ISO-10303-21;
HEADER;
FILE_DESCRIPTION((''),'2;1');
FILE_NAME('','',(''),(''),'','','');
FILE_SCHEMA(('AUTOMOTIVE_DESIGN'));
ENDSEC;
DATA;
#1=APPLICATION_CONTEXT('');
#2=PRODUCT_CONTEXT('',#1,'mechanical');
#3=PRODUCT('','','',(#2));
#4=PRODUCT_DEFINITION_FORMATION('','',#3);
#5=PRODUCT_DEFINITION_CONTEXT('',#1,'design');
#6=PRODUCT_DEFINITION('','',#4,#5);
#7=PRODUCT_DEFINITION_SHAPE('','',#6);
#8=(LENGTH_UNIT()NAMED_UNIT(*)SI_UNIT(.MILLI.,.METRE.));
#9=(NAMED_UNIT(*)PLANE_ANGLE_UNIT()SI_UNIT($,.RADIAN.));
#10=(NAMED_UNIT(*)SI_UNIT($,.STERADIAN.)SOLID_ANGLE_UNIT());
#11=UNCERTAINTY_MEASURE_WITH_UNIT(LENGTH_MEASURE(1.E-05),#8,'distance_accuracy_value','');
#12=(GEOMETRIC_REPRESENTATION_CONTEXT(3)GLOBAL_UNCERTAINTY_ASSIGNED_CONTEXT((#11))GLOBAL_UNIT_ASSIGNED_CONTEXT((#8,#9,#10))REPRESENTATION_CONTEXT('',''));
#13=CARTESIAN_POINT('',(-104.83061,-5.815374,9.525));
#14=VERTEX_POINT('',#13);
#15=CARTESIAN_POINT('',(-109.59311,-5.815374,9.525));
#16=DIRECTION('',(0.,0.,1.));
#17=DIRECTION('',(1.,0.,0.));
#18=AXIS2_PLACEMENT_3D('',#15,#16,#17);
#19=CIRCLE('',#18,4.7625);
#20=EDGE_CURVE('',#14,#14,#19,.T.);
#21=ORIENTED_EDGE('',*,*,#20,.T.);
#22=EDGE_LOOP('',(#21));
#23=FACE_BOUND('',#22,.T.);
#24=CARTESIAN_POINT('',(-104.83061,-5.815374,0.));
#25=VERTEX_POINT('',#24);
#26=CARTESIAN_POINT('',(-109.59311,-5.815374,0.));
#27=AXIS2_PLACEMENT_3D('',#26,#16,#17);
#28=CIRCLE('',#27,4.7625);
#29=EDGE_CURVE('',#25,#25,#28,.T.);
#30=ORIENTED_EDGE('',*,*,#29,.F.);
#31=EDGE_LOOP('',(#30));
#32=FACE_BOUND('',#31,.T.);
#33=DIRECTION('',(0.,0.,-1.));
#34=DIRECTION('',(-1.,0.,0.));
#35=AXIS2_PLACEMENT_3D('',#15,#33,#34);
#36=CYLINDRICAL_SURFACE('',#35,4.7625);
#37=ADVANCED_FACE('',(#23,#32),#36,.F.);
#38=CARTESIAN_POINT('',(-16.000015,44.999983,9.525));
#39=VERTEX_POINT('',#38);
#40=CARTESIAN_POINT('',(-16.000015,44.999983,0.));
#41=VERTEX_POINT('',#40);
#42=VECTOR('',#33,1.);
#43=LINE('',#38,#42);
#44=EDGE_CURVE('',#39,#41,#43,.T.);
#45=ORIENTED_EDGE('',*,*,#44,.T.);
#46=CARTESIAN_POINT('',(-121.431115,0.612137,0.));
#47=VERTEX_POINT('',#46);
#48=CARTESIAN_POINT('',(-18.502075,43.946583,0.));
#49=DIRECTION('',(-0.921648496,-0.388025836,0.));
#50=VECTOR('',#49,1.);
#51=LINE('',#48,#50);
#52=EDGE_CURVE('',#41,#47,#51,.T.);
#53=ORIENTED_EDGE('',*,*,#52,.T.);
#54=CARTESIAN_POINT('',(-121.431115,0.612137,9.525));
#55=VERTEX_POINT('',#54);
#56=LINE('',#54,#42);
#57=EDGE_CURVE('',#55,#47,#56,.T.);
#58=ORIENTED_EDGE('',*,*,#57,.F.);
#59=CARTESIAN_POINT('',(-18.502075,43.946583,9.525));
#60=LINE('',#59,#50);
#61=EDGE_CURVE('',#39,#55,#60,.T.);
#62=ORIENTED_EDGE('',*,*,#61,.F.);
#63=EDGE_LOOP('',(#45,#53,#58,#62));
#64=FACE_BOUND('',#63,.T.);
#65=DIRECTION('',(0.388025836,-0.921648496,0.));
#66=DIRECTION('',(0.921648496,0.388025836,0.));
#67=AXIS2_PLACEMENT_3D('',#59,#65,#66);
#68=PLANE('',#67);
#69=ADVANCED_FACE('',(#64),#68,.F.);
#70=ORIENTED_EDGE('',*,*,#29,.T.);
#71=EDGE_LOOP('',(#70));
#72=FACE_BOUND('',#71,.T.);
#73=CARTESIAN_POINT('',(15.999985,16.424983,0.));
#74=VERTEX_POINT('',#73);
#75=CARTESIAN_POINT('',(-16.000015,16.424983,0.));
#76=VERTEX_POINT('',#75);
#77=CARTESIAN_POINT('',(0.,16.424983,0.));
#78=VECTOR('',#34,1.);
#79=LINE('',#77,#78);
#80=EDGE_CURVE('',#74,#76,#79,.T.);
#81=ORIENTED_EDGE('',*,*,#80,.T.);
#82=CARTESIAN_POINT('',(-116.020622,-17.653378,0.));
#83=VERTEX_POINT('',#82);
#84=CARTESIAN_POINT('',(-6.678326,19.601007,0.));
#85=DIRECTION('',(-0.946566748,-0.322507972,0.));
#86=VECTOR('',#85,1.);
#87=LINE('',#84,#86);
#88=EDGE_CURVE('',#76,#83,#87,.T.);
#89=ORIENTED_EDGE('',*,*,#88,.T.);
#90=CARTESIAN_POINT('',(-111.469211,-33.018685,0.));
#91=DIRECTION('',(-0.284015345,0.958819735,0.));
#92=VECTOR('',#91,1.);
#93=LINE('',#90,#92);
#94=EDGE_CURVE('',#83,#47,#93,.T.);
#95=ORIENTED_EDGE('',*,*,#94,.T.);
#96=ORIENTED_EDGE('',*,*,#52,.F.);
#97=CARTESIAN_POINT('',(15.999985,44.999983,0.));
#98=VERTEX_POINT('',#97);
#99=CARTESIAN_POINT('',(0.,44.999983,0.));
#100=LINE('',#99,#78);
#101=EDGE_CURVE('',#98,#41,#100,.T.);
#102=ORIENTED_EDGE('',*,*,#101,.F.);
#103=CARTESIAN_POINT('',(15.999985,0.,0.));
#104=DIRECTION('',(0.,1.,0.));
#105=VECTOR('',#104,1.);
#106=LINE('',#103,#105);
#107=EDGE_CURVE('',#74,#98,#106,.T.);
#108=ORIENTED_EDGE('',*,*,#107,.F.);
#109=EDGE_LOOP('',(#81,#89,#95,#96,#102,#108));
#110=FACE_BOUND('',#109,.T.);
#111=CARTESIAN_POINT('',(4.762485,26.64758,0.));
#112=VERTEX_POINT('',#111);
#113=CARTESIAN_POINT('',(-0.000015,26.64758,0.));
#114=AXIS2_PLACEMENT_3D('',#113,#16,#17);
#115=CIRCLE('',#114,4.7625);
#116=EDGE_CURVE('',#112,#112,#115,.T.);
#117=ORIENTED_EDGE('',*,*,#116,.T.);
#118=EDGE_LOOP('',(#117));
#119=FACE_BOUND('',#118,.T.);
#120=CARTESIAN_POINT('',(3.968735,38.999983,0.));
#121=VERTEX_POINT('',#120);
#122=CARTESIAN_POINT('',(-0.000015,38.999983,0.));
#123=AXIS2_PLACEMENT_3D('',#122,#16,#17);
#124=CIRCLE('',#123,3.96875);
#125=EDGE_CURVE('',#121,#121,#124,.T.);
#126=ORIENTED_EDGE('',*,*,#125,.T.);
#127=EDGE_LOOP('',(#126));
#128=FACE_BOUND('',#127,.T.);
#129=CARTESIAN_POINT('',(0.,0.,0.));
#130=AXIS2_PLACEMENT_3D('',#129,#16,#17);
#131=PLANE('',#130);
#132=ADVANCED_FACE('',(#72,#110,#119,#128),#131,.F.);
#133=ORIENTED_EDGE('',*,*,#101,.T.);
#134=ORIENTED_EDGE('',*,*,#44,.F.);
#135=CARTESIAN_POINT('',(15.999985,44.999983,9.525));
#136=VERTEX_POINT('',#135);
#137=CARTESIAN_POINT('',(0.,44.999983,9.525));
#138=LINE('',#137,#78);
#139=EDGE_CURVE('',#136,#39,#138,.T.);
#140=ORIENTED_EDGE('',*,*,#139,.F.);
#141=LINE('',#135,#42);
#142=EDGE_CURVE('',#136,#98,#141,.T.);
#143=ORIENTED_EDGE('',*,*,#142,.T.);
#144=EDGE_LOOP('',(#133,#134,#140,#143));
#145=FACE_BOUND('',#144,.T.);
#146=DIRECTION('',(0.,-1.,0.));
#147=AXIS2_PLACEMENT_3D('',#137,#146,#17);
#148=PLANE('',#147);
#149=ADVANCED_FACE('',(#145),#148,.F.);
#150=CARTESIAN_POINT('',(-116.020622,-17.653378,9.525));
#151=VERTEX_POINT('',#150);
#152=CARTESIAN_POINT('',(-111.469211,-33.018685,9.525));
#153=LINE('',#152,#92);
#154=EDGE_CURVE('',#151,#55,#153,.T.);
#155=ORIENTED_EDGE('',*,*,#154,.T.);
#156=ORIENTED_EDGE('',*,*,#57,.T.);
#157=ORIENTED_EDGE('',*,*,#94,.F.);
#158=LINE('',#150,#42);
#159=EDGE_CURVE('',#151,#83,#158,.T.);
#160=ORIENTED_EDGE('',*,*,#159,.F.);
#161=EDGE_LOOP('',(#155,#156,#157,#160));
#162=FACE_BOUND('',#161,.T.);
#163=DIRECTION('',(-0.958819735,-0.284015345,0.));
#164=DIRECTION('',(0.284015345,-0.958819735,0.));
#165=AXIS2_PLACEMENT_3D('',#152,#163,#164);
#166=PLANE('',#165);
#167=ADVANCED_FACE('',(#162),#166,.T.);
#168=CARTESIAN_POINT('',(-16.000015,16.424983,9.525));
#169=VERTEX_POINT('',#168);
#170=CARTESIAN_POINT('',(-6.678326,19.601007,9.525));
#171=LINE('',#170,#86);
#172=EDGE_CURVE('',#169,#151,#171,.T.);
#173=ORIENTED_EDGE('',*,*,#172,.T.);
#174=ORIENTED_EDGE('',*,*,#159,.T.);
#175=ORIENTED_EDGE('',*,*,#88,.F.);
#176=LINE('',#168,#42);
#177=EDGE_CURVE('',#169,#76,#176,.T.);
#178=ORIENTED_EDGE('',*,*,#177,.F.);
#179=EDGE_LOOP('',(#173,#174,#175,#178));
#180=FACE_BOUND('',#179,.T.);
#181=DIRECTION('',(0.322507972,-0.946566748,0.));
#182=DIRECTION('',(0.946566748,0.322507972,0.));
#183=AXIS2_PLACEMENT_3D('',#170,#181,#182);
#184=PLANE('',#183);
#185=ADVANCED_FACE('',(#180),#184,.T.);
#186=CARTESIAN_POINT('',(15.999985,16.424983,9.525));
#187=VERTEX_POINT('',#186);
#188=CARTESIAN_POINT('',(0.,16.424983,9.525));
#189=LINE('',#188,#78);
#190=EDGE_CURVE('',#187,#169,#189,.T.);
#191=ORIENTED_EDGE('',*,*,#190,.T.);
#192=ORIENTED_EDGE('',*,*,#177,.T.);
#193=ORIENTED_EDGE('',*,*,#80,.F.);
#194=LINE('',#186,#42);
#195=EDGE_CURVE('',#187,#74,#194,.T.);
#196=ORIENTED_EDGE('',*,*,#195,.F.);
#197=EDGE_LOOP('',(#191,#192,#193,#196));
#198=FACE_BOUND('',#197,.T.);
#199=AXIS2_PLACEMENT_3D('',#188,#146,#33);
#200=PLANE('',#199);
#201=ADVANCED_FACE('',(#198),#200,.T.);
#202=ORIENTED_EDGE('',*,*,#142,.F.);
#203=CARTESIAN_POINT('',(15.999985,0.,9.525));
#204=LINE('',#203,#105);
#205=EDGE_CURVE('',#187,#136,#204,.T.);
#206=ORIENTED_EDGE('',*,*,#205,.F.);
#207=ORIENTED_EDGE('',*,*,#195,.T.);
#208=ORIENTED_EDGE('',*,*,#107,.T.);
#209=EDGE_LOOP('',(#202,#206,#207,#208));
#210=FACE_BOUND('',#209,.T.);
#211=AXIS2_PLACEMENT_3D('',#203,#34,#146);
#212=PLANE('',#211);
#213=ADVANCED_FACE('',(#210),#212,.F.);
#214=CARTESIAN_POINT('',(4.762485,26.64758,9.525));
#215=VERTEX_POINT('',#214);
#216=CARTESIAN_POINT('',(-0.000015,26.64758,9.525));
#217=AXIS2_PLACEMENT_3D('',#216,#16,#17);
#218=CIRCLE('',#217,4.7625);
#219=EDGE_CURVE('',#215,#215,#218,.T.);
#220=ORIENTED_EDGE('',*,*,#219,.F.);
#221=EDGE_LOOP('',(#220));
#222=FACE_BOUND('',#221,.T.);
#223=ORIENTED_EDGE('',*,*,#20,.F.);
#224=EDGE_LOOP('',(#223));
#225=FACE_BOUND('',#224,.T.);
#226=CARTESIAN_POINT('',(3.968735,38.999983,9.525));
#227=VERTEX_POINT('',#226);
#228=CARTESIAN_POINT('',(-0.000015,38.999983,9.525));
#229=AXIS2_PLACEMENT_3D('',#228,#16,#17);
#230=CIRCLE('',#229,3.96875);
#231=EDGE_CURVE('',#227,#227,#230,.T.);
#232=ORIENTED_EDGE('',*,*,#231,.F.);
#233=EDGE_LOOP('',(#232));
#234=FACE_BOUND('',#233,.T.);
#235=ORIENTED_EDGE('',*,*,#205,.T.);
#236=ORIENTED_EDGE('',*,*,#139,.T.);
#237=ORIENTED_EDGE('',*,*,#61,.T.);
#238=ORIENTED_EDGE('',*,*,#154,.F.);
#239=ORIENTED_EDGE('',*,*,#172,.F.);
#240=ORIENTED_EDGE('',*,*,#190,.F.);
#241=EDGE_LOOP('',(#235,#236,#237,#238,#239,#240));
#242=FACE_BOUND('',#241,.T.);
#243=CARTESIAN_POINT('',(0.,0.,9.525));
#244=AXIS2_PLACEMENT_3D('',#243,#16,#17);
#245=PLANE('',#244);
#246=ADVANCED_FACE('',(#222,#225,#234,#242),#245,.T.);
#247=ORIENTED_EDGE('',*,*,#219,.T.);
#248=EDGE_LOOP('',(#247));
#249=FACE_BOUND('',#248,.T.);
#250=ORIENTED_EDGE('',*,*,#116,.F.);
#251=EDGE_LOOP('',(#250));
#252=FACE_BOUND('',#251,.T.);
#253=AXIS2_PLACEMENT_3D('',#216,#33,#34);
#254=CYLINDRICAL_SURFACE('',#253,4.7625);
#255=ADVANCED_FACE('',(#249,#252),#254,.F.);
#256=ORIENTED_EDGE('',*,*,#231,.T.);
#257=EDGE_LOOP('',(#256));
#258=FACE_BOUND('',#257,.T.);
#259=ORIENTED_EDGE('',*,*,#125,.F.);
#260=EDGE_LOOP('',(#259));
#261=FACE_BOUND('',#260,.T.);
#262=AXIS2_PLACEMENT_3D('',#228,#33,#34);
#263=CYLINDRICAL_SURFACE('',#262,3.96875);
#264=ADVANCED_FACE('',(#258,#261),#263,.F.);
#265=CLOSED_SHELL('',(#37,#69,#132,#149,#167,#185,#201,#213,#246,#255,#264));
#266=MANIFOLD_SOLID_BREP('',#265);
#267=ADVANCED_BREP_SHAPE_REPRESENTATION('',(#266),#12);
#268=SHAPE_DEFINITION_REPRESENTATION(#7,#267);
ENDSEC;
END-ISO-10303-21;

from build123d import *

# Parameters (mm, degrees)
SKETCH1_R           = 3.96875
SKETCH1_R_2         = 4.762500002
BOSS_EXTRUDE1_DEPTH = 9.525


with BuildPart() as part:
    # Sketch1 → Boss-Extrude1 (new body)
    with BuildSketch(Plane.XY):
        Polygon((-16.000014758, 44.999982542), (-121.431114587, 0.612137498), (-116.02062227, -17.653378451), (-16.000014758, 16.424982542), (15.999985242, 16.424982542), (15.999985242, 44.999982542), align=None)
        with Locations((-1.4758e-05, 38.999982542)):
            Circle(SKETCH1_R, mode=Mode.SUBTRACT)
        with Locations((-1.4758e-05, 26.647579582)):
            Circle(SKETCH1_R_2, mode=Mode.SUBTRACT)
        with Locations((-109.593110454, -5.815374318)):
            Circle(SKETCH1_R_2, mode=Mode.SUBTRACT)
    extrude(amount=BOSS_EXTRUDE1_DEPTH)


solid = part.part
